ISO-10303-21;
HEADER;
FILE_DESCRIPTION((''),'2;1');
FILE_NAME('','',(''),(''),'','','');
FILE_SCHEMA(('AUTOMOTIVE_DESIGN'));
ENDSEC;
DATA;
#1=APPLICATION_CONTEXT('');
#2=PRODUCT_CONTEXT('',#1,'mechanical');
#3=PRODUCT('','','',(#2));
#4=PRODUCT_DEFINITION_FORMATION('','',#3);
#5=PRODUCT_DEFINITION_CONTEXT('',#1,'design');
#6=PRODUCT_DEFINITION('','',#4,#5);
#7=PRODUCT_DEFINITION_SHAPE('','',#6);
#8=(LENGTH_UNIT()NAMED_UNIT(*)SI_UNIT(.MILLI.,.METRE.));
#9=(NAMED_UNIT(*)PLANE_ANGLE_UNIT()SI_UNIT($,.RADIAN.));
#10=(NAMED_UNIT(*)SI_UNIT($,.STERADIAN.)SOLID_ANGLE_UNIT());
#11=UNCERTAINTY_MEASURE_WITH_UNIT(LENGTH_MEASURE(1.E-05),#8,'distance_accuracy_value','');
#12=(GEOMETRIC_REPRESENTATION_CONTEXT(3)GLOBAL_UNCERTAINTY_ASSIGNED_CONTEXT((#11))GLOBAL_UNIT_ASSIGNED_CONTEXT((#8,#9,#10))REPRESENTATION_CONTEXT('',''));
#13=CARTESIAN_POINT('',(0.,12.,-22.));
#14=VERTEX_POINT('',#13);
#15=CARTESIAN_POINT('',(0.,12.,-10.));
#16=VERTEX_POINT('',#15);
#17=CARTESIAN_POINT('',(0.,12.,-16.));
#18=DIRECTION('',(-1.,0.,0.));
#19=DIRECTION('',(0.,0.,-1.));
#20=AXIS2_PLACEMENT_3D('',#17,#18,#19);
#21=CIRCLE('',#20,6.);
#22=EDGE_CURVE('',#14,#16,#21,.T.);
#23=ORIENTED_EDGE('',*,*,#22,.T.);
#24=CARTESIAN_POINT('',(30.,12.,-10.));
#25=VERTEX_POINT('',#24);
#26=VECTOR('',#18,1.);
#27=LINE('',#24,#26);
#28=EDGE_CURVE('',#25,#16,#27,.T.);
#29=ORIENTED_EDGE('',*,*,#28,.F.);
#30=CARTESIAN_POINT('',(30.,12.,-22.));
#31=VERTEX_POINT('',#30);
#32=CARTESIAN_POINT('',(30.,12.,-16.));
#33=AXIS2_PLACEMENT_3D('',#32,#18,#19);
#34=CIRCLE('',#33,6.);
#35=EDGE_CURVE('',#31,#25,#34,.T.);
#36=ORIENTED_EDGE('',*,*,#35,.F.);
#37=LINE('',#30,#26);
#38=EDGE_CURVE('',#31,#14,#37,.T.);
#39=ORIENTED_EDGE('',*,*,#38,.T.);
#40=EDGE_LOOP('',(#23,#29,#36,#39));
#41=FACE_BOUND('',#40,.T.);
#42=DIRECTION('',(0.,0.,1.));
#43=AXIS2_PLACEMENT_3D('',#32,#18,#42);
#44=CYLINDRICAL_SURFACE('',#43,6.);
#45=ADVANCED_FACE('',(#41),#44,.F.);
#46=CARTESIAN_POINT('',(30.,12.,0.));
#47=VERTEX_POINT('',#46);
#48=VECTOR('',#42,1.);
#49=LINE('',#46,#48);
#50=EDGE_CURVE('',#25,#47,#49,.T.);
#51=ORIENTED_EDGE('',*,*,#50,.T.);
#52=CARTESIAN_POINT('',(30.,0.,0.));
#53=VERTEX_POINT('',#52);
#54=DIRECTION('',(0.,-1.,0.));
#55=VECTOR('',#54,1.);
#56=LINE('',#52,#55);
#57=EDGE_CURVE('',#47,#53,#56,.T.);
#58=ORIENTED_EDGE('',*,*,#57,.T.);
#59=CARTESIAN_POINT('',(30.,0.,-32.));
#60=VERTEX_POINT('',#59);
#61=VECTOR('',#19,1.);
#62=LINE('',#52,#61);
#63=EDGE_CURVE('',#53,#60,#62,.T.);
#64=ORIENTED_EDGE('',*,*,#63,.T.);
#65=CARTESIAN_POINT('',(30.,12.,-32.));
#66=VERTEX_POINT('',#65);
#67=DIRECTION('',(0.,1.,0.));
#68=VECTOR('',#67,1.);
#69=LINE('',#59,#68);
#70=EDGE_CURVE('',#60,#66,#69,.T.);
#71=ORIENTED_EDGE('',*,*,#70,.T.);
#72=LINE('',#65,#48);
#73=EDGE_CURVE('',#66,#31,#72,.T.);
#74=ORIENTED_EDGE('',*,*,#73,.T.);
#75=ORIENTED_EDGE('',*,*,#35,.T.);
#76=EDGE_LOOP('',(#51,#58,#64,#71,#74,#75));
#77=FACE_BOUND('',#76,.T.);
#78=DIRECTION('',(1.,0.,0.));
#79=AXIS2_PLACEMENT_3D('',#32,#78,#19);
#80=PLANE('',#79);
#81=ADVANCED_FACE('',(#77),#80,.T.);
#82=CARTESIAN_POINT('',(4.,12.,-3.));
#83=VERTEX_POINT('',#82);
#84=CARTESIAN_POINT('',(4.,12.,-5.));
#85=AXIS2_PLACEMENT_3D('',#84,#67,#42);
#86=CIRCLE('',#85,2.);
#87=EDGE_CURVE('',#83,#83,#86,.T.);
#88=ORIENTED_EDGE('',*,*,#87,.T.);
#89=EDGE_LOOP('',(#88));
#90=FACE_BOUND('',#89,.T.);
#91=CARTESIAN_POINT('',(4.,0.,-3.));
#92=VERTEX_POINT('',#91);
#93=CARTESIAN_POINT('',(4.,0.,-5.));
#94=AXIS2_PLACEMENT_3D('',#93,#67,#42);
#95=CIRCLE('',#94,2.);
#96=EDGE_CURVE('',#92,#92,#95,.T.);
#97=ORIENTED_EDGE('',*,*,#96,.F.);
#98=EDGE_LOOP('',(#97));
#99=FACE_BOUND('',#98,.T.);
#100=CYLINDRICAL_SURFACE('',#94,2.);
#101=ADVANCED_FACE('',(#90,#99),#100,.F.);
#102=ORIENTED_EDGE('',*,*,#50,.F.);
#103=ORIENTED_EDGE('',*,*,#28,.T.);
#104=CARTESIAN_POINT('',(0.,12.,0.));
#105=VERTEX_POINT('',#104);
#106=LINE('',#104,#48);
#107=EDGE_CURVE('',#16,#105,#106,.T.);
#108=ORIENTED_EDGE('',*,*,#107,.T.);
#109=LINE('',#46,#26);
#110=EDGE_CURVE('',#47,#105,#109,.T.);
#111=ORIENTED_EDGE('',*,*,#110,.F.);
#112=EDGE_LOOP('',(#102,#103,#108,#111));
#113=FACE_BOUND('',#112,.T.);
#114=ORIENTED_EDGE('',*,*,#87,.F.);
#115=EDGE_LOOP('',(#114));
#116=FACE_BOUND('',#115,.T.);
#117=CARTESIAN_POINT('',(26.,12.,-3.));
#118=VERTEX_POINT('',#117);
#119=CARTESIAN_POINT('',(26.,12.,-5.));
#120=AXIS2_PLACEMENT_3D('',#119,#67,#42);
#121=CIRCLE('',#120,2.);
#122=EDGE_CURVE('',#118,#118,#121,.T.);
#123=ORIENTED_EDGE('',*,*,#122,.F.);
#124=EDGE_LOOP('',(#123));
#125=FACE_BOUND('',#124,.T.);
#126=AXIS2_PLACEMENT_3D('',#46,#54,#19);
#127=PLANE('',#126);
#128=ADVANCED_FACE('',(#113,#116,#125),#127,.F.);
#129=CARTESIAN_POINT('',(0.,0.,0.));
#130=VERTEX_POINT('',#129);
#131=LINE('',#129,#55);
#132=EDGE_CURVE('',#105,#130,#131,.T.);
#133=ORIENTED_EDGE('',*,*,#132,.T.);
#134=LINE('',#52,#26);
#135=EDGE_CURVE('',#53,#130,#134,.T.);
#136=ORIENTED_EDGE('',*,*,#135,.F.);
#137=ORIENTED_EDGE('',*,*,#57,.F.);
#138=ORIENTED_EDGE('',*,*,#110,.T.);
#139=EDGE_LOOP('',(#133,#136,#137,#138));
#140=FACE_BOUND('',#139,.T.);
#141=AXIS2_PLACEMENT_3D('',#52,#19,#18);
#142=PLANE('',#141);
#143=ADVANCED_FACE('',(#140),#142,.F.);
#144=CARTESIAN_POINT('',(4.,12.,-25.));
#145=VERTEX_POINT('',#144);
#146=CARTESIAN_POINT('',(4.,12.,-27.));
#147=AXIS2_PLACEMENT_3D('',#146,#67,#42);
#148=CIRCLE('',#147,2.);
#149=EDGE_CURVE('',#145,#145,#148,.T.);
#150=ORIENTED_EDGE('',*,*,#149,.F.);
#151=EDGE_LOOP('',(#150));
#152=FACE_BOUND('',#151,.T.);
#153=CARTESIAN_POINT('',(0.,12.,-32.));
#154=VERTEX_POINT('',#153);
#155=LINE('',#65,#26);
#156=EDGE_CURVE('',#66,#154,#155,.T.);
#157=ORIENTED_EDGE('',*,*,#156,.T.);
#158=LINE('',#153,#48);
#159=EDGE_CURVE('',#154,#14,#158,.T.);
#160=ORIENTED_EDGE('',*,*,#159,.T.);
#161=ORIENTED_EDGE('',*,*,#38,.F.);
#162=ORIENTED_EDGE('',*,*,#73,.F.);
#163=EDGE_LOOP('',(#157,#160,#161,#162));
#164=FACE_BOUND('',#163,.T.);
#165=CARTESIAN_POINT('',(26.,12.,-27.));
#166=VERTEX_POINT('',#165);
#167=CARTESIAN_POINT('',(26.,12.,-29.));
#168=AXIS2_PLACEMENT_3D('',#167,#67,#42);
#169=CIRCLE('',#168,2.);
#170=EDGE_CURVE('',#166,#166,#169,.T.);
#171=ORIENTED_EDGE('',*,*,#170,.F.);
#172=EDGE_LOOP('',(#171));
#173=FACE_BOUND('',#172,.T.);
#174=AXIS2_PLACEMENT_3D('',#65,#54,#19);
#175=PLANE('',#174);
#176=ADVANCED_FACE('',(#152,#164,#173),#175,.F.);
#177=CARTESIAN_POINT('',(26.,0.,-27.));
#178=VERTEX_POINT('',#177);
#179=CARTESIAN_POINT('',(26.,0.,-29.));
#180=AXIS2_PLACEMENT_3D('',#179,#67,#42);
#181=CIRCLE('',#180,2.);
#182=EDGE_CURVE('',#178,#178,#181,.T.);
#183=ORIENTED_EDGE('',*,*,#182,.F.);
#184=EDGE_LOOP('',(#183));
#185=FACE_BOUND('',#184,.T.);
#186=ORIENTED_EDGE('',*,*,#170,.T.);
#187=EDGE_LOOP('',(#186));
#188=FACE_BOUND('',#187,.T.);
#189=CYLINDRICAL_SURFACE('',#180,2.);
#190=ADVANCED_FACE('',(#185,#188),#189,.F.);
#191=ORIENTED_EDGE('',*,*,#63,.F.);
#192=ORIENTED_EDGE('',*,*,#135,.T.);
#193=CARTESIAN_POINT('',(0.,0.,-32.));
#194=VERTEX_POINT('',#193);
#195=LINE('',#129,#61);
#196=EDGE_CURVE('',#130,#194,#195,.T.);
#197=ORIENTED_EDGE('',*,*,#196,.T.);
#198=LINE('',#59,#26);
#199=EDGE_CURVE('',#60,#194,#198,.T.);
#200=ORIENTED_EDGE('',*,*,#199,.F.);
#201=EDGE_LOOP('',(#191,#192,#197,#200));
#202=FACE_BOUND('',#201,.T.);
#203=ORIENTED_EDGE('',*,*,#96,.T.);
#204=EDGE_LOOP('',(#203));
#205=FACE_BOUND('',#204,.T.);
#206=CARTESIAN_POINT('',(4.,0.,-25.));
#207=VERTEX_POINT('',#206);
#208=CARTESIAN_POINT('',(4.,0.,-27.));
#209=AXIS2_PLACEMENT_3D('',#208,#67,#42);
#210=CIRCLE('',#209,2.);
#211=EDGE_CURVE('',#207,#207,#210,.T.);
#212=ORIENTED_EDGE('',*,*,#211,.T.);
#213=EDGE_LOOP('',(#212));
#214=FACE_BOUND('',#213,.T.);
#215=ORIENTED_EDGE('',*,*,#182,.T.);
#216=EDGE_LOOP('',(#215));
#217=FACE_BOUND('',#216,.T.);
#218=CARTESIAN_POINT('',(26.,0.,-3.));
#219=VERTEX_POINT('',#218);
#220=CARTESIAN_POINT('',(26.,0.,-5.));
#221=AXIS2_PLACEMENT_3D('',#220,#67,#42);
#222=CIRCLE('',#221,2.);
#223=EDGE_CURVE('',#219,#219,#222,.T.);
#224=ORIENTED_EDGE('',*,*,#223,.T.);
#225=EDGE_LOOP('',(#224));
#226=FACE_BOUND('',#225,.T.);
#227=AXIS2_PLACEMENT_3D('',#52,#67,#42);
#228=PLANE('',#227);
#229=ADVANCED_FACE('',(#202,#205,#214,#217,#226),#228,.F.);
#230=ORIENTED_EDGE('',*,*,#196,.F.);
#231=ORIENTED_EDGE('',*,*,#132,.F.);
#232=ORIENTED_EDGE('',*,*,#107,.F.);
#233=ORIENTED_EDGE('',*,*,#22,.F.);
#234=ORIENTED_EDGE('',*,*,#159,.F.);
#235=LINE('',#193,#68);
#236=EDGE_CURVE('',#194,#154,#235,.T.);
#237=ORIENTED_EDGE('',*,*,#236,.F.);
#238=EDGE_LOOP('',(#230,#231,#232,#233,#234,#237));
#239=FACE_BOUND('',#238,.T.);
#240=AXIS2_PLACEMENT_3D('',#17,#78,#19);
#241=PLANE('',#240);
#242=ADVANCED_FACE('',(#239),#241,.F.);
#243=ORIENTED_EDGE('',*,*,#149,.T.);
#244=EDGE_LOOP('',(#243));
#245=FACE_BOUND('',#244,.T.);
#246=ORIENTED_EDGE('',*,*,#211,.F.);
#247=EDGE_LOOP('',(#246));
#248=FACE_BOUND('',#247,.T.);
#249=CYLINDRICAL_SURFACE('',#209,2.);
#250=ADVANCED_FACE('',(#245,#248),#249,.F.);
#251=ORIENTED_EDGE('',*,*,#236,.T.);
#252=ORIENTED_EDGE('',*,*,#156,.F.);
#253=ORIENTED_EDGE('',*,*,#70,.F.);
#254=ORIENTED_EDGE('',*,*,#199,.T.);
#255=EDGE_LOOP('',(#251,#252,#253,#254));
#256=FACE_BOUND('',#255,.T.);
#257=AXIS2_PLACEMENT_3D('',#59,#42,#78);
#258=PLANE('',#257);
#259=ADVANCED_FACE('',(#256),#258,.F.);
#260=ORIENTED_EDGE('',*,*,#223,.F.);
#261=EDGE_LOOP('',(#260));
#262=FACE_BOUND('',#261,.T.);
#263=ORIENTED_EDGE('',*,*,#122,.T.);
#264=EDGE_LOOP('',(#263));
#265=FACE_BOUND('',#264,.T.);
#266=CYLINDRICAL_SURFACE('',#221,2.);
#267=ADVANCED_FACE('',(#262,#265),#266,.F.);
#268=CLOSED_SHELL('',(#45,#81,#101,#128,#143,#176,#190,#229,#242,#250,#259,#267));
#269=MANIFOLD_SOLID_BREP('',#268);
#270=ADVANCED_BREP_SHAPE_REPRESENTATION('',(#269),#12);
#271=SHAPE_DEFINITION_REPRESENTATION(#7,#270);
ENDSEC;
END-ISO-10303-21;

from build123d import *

# Parameters (mm, degrees)
BOSS_EXTRUDE1_DEPTH = 30
SKETCH2_R           = 2
CUT_EXTRUDE1_DEPTH  = 13


with BuildPart() as part:
    # Sketch1 → Boss-Extrude1 (new body)
    with BuildSketch(Plane(origin=(0, 0, 0), x_dir=(0, 0, -1), z_dir=(1, 0, 0))):
        with BuildLine():
            Line((0, 0), (0, 12))
            Line((0, 12), (10, 12))
            ThreePointArc((10, 12), (16, 6), (22, 12))
            Line((22, 12), (32, 12))
            Line((32, 12), (32, 0))
            Line((32, 0), (0, 0))
        make_face()
    extrude(amount=BOSS_EXTRUDE1_DEPTH)

    # Sketch2 → Cut-Extrude1 (cut, through all)
    with BuildSketch(Plane(origin=(0, 12, 0), x_dir=(1, 0, 0), z_dir=(0, 1, 0))):
        with Locations((4, 27)):
            Circle(SKETCH2_R)
        with Locations((26, 29)):
            Circle(SKETCH2_R)
        with Locations((4, 5)):
            Circle(SKETCH2_R)
        with Locations((26, 5)):
            Circle(SKETCH2_R)
    extrude(amount=-CUT_EXTRUDE1_DEPTH, mode=Mode.SUBTRACT)


solid = part.part
